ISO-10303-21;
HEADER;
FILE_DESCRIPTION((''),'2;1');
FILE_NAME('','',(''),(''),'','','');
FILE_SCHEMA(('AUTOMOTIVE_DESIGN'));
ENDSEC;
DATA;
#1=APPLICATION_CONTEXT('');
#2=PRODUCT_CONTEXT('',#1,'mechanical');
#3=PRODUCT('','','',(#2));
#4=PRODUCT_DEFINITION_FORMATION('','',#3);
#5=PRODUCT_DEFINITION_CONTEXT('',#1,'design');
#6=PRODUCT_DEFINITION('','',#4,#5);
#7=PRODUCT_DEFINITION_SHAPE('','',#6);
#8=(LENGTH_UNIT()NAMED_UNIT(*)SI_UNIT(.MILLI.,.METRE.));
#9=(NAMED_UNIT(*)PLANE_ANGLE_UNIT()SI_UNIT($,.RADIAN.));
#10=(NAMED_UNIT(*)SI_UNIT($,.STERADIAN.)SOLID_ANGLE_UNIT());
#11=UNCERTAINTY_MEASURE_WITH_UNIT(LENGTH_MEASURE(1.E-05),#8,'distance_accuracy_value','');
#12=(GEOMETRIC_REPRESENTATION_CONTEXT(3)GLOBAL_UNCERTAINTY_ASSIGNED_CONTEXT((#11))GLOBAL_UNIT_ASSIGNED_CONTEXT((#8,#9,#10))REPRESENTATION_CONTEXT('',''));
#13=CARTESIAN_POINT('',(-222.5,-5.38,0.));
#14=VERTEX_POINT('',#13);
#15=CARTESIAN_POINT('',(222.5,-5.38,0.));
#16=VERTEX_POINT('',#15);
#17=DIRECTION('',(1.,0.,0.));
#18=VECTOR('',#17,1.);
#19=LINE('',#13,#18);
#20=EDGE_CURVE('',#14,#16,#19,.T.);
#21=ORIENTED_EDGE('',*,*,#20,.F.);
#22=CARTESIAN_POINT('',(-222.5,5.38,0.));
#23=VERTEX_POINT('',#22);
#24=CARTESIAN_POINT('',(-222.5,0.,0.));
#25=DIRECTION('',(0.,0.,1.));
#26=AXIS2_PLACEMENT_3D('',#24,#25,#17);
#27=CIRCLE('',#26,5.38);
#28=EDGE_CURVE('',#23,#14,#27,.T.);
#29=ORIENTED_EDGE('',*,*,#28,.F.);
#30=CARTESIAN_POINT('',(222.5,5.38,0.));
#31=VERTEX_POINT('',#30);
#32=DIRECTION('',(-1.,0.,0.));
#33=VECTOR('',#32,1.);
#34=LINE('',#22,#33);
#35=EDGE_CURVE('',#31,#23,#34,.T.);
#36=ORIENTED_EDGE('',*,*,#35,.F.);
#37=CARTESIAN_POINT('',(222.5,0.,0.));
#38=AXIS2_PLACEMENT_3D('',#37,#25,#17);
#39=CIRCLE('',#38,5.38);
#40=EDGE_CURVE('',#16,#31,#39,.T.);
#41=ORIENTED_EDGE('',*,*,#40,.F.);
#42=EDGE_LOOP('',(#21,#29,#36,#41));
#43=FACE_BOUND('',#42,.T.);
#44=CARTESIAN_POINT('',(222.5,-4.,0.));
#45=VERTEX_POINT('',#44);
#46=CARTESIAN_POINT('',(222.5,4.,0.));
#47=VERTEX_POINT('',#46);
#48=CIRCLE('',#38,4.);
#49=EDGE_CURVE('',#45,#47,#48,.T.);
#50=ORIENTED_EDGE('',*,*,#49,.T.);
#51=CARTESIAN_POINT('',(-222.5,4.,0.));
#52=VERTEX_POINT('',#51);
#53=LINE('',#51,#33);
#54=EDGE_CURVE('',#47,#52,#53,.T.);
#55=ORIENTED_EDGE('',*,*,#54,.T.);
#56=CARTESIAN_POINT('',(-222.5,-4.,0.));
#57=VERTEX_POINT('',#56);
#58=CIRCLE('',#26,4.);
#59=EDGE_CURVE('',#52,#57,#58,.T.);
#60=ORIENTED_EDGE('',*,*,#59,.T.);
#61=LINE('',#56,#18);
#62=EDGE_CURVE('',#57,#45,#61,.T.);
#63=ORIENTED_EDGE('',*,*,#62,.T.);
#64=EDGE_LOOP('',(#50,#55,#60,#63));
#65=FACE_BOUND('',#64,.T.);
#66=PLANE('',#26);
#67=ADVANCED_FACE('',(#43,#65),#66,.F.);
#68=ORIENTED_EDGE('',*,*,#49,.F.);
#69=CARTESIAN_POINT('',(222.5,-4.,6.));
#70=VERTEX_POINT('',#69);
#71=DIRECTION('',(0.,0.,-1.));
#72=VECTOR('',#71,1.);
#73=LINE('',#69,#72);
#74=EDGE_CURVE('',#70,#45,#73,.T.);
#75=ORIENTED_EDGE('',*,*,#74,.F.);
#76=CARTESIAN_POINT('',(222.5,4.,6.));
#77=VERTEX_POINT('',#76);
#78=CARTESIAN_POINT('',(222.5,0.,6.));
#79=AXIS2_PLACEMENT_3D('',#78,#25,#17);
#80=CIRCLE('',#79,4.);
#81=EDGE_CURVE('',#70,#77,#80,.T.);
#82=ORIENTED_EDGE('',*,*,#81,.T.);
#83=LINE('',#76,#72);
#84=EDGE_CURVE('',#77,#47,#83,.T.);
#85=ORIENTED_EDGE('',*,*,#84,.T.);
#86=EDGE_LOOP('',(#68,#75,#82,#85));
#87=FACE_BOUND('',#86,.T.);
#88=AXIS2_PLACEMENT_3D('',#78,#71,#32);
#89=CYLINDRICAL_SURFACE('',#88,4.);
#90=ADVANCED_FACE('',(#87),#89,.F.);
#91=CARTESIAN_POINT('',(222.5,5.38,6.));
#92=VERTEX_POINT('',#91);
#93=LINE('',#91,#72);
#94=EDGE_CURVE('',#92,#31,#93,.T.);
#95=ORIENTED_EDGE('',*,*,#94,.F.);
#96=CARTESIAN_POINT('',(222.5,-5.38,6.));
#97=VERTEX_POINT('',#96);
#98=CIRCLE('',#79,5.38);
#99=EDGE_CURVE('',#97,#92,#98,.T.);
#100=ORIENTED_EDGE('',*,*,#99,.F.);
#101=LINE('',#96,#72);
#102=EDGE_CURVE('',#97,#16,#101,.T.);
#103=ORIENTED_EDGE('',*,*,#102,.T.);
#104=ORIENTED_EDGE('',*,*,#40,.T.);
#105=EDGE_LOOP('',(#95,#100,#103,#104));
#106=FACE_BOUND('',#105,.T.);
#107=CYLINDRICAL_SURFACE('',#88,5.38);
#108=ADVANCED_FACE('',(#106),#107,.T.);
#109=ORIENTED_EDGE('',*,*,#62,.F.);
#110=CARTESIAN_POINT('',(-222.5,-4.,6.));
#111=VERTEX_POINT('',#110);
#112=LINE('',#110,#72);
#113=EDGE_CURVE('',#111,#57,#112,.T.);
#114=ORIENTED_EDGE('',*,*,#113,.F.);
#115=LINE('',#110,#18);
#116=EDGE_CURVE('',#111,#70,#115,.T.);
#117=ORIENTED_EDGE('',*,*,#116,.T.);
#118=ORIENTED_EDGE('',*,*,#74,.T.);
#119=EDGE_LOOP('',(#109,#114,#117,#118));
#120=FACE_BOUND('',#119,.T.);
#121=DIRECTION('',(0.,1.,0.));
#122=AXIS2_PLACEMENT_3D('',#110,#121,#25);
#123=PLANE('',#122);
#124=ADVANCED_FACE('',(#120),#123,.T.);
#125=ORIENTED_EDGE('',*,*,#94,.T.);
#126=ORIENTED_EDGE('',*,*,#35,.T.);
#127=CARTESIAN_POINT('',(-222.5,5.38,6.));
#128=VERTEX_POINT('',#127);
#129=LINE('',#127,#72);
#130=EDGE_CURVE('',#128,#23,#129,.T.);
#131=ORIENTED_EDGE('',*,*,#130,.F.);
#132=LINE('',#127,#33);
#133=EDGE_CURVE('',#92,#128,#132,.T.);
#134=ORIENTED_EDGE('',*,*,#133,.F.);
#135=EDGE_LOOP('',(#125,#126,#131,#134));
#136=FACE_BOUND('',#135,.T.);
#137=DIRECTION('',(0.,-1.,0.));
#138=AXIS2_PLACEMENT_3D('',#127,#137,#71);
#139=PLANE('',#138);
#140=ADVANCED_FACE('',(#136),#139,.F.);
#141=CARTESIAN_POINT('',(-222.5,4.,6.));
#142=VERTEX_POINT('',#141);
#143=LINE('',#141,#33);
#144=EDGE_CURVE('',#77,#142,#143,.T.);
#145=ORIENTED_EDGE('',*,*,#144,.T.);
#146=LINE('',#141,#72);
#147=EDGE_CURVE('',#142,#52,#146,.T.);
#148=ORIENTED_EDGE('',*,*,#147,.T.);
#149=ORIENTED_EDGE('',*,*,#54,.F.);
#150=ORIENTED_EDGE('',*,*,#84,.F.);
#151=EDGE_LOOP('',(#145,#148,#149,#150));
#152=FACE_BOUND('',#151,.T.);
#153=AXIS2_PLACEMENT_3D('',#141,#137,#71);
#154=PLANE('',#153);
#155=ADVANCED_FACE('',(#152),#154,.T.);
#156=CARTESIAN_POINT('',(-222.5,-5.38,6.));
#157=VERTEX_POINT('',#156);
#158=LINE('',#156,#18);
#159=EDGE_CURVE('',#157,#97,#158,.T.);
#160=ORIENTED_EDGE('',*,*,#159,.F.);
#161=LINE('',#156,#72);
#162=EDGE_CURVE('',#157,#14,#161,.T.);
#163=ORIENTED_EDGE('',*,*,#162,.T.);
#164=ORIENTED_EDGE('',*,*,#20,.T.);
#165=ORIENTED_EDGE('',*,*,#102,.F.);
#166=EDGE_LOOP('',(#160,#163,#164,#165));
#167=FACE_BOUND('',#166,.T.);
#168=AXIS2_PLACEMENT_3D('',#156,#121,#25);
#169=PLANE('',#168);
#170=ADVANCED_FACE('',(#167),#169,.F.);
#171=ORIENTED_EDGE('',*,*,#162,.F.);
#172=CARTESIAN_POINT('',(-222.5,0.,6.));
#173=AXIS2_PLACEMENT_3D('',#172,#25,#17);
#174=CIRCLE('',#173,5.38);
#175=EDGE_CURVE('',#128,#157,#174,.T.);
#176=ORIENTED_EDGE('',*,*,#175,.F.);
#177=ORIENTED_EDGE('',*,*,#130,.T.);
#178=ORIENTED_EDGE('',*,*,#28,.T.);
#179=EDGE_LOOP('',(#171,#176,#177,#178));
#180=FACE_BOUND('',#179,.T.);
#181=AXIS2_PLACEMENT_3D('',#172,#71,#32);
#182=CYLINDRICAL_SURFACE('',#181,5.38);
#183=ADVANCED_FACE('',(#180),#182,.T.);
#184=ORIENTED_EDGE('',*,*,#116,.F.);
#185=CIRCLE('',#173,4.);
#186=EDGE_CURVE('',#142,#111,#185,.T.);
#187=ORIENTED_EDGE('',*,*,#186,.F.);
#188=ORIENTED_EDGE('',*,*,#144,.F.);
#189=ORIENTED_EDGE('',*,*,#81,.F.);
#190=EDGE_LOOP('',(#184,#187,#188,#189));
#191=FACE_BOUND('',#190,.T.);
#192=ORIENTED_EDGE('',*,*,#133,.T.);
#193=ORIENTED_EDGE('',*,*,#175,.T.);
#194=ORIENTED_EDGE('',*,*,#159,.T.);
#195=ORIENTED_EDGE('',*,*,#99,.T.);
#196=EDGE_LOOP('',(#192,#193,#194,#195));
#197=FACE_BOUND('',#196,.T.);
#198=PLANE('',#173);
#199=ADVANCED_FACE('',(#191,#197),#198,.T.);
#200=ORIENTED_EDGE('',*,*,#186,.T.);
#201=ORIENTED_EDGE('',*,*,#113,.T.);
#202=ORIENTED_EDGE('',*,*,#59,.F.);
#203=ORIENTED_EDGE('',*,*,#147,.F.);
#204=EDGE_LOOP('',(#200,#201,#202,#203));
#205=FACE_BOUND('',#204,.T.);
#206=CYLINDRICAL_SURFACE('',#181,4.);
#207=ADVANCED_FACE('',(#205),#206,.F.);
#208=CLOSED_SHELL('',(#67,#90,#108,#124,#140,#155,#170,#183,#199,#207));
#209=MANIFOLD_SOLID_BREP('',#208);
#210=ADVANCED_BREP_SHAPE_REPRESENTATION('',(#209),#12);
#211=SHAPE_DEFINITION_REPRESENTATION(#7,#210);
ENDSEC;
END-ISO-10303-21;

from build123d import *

# Parameters (mm, degrees)
BOSS_EXTRUDE1_DEPTH = 6


with BuildPart() as part:
    # Sketch1 → Boss-Extrude1 (new body)
    with BuildSketch(Plane.XY):
        with BuildLine():
            Line((-222.5, 5.38), (222.5, 5.38))
            ThreePointArc((222.5, 5.38), (227.88, 0), (222.5, -5.38))
            Line((222.5, -5.38), (-222.5, -5.38))
            ThreePointArc((-222.5, -5.38), (-227.88, 0), (-222.5, 5.38))
        make_face()
        with BuildLine():
            Line((-222.5, -4), (222.5, -4))
            ThreePointArc((222.5, -4), (226.5, 0), (222.5, 4))
            Line((222.5, 4), (-222.5, 4))
            ThreePointArc((-222.5, 4), (-226.5, 0), (-222.5, -4))
        make_face(mode=Mode.SUBTRACT)
    extrude(amount=BOSS_EXTRUDE1_DEPTH)


solid = part.part
